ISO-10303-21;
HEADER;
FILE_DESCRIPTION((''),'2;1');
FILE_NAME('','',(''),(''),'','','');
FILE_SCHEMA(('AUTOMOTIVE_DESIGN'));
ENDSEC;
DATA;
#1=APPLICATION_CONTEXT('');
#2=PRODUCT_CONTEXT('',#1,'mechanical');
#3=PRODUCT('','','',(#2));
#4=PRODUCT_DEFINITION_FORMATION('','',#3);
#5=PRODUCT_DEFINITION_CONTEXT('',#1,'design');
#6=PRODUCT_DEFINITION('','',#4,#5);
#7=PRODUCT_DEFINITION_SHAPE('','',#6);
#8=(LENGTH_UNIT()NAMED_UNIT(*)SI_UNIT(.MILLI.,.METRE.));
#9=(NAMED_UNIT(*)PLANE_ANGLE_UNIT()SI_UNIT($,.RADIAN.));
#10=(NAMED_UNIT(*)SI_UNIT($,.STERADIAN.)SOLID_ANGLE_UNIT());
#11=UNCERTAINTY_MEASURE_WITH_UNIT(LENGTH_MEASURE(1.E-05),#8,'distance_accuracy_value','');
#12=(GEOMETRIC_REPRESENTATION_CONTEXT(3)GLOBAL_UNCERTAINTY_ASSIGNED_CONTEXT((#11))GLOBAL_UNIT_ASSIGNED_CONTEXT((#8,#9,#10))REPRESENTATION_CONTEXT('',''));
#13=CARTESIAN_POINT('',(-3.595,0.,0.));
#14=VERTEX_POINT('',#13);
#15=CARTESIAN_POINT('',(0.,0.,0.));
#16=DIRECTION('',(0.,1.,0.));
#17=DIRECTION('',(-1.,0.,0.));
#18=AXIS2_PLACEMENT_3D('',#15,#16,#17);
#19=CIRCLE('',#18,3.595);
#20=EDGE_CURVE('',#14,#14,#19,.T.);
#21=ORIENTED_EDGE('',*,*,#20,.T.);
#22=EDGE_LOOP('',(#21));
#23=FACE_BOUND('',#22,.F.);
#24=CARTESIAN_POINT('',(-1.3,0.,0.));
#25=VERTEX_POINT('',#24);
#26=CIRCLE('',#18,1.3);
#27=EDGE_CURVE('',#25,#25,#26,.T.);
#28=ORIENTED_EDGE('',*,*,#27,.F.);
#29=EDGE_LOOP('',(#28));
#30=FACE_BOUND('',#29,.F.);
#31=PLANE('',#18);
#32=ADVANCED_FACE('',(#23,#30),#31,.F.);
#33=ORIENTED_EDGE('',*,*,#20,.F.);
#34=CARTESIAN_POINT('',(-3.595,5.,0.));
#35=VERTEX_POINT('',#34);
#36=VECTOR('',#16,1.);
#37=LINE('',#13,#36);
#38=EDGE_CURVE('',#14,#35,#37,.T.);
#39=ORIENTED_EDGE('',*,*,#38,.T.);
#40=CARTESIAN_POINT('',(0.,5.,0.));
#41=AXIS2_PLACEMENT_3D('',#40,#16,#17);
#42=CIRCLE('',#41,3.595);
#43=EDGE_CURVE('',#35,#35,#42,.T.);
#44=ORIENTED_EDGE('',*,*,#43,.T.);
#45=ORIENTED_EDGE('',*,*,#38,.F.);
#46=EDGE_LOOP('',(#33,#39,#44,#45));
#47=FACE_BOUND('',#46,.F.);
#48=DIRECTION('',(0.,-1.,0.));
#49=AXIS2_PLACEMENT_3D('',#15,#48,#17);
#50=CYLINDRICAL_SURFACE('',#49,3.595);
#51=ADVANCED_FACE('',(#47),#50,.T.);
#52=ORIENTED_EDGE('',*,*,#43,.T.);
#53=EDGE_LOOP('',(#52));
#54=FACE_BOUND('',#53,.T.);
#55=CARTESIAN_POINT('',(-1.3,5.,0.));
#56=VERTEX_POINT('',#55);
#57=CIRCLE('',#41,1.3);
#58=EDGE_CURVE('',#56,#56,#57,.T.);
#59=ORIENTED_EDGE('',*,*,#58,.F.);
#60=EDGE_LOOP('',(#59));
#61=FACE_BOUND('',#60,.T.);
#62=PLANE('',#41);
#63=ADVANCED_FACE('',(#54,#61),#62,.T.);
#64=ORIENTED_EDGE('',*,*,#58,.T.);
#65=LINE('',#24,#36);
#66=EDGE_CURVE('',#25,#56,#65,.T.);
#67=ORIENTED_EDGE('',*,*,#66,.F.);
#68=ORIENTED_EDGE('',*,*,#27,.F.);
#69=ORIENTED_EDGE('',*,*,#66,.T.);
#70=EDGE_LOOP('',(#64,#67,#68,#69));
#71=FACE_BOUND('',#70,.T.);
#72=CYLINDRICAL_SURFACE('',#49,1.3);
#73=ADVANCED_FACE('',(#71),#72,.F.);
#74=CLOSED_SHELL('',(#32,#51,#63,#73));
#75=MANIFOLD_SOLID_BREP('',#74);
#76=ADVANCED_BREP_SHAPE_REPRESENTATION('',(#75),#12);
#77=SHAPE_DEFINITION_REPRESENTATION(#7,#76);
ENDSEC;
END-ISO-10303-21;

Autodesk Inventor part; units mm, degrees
ref_plane "YZ Plane" through (0, 0, 0) normal (1, 0, 0) x (0, 1, 0)
ref_plane "XZ Plane" through (0, 0, 0) normal (0, 1, 0) x (-1, 0, 0)
ref_plane "XY Plane" through (0, 0, 0) normal (0, 0, 1) x (1, 0, 0)
sketch "Sketch1" plane through (0, 0, 0) normal (0, 1, 0) x (-1, 0, 0)
  circle A0 centre (0, 0) radius 3.595
  circle A1 centre (0, 0) radius 1.3
  dimension "d0" = 7.19
  dimension "d1" = 2.6
extrude "Extrusion1" add sketch "Sketch1" along normal blind 5
properties part number "tronco_ruota3"
